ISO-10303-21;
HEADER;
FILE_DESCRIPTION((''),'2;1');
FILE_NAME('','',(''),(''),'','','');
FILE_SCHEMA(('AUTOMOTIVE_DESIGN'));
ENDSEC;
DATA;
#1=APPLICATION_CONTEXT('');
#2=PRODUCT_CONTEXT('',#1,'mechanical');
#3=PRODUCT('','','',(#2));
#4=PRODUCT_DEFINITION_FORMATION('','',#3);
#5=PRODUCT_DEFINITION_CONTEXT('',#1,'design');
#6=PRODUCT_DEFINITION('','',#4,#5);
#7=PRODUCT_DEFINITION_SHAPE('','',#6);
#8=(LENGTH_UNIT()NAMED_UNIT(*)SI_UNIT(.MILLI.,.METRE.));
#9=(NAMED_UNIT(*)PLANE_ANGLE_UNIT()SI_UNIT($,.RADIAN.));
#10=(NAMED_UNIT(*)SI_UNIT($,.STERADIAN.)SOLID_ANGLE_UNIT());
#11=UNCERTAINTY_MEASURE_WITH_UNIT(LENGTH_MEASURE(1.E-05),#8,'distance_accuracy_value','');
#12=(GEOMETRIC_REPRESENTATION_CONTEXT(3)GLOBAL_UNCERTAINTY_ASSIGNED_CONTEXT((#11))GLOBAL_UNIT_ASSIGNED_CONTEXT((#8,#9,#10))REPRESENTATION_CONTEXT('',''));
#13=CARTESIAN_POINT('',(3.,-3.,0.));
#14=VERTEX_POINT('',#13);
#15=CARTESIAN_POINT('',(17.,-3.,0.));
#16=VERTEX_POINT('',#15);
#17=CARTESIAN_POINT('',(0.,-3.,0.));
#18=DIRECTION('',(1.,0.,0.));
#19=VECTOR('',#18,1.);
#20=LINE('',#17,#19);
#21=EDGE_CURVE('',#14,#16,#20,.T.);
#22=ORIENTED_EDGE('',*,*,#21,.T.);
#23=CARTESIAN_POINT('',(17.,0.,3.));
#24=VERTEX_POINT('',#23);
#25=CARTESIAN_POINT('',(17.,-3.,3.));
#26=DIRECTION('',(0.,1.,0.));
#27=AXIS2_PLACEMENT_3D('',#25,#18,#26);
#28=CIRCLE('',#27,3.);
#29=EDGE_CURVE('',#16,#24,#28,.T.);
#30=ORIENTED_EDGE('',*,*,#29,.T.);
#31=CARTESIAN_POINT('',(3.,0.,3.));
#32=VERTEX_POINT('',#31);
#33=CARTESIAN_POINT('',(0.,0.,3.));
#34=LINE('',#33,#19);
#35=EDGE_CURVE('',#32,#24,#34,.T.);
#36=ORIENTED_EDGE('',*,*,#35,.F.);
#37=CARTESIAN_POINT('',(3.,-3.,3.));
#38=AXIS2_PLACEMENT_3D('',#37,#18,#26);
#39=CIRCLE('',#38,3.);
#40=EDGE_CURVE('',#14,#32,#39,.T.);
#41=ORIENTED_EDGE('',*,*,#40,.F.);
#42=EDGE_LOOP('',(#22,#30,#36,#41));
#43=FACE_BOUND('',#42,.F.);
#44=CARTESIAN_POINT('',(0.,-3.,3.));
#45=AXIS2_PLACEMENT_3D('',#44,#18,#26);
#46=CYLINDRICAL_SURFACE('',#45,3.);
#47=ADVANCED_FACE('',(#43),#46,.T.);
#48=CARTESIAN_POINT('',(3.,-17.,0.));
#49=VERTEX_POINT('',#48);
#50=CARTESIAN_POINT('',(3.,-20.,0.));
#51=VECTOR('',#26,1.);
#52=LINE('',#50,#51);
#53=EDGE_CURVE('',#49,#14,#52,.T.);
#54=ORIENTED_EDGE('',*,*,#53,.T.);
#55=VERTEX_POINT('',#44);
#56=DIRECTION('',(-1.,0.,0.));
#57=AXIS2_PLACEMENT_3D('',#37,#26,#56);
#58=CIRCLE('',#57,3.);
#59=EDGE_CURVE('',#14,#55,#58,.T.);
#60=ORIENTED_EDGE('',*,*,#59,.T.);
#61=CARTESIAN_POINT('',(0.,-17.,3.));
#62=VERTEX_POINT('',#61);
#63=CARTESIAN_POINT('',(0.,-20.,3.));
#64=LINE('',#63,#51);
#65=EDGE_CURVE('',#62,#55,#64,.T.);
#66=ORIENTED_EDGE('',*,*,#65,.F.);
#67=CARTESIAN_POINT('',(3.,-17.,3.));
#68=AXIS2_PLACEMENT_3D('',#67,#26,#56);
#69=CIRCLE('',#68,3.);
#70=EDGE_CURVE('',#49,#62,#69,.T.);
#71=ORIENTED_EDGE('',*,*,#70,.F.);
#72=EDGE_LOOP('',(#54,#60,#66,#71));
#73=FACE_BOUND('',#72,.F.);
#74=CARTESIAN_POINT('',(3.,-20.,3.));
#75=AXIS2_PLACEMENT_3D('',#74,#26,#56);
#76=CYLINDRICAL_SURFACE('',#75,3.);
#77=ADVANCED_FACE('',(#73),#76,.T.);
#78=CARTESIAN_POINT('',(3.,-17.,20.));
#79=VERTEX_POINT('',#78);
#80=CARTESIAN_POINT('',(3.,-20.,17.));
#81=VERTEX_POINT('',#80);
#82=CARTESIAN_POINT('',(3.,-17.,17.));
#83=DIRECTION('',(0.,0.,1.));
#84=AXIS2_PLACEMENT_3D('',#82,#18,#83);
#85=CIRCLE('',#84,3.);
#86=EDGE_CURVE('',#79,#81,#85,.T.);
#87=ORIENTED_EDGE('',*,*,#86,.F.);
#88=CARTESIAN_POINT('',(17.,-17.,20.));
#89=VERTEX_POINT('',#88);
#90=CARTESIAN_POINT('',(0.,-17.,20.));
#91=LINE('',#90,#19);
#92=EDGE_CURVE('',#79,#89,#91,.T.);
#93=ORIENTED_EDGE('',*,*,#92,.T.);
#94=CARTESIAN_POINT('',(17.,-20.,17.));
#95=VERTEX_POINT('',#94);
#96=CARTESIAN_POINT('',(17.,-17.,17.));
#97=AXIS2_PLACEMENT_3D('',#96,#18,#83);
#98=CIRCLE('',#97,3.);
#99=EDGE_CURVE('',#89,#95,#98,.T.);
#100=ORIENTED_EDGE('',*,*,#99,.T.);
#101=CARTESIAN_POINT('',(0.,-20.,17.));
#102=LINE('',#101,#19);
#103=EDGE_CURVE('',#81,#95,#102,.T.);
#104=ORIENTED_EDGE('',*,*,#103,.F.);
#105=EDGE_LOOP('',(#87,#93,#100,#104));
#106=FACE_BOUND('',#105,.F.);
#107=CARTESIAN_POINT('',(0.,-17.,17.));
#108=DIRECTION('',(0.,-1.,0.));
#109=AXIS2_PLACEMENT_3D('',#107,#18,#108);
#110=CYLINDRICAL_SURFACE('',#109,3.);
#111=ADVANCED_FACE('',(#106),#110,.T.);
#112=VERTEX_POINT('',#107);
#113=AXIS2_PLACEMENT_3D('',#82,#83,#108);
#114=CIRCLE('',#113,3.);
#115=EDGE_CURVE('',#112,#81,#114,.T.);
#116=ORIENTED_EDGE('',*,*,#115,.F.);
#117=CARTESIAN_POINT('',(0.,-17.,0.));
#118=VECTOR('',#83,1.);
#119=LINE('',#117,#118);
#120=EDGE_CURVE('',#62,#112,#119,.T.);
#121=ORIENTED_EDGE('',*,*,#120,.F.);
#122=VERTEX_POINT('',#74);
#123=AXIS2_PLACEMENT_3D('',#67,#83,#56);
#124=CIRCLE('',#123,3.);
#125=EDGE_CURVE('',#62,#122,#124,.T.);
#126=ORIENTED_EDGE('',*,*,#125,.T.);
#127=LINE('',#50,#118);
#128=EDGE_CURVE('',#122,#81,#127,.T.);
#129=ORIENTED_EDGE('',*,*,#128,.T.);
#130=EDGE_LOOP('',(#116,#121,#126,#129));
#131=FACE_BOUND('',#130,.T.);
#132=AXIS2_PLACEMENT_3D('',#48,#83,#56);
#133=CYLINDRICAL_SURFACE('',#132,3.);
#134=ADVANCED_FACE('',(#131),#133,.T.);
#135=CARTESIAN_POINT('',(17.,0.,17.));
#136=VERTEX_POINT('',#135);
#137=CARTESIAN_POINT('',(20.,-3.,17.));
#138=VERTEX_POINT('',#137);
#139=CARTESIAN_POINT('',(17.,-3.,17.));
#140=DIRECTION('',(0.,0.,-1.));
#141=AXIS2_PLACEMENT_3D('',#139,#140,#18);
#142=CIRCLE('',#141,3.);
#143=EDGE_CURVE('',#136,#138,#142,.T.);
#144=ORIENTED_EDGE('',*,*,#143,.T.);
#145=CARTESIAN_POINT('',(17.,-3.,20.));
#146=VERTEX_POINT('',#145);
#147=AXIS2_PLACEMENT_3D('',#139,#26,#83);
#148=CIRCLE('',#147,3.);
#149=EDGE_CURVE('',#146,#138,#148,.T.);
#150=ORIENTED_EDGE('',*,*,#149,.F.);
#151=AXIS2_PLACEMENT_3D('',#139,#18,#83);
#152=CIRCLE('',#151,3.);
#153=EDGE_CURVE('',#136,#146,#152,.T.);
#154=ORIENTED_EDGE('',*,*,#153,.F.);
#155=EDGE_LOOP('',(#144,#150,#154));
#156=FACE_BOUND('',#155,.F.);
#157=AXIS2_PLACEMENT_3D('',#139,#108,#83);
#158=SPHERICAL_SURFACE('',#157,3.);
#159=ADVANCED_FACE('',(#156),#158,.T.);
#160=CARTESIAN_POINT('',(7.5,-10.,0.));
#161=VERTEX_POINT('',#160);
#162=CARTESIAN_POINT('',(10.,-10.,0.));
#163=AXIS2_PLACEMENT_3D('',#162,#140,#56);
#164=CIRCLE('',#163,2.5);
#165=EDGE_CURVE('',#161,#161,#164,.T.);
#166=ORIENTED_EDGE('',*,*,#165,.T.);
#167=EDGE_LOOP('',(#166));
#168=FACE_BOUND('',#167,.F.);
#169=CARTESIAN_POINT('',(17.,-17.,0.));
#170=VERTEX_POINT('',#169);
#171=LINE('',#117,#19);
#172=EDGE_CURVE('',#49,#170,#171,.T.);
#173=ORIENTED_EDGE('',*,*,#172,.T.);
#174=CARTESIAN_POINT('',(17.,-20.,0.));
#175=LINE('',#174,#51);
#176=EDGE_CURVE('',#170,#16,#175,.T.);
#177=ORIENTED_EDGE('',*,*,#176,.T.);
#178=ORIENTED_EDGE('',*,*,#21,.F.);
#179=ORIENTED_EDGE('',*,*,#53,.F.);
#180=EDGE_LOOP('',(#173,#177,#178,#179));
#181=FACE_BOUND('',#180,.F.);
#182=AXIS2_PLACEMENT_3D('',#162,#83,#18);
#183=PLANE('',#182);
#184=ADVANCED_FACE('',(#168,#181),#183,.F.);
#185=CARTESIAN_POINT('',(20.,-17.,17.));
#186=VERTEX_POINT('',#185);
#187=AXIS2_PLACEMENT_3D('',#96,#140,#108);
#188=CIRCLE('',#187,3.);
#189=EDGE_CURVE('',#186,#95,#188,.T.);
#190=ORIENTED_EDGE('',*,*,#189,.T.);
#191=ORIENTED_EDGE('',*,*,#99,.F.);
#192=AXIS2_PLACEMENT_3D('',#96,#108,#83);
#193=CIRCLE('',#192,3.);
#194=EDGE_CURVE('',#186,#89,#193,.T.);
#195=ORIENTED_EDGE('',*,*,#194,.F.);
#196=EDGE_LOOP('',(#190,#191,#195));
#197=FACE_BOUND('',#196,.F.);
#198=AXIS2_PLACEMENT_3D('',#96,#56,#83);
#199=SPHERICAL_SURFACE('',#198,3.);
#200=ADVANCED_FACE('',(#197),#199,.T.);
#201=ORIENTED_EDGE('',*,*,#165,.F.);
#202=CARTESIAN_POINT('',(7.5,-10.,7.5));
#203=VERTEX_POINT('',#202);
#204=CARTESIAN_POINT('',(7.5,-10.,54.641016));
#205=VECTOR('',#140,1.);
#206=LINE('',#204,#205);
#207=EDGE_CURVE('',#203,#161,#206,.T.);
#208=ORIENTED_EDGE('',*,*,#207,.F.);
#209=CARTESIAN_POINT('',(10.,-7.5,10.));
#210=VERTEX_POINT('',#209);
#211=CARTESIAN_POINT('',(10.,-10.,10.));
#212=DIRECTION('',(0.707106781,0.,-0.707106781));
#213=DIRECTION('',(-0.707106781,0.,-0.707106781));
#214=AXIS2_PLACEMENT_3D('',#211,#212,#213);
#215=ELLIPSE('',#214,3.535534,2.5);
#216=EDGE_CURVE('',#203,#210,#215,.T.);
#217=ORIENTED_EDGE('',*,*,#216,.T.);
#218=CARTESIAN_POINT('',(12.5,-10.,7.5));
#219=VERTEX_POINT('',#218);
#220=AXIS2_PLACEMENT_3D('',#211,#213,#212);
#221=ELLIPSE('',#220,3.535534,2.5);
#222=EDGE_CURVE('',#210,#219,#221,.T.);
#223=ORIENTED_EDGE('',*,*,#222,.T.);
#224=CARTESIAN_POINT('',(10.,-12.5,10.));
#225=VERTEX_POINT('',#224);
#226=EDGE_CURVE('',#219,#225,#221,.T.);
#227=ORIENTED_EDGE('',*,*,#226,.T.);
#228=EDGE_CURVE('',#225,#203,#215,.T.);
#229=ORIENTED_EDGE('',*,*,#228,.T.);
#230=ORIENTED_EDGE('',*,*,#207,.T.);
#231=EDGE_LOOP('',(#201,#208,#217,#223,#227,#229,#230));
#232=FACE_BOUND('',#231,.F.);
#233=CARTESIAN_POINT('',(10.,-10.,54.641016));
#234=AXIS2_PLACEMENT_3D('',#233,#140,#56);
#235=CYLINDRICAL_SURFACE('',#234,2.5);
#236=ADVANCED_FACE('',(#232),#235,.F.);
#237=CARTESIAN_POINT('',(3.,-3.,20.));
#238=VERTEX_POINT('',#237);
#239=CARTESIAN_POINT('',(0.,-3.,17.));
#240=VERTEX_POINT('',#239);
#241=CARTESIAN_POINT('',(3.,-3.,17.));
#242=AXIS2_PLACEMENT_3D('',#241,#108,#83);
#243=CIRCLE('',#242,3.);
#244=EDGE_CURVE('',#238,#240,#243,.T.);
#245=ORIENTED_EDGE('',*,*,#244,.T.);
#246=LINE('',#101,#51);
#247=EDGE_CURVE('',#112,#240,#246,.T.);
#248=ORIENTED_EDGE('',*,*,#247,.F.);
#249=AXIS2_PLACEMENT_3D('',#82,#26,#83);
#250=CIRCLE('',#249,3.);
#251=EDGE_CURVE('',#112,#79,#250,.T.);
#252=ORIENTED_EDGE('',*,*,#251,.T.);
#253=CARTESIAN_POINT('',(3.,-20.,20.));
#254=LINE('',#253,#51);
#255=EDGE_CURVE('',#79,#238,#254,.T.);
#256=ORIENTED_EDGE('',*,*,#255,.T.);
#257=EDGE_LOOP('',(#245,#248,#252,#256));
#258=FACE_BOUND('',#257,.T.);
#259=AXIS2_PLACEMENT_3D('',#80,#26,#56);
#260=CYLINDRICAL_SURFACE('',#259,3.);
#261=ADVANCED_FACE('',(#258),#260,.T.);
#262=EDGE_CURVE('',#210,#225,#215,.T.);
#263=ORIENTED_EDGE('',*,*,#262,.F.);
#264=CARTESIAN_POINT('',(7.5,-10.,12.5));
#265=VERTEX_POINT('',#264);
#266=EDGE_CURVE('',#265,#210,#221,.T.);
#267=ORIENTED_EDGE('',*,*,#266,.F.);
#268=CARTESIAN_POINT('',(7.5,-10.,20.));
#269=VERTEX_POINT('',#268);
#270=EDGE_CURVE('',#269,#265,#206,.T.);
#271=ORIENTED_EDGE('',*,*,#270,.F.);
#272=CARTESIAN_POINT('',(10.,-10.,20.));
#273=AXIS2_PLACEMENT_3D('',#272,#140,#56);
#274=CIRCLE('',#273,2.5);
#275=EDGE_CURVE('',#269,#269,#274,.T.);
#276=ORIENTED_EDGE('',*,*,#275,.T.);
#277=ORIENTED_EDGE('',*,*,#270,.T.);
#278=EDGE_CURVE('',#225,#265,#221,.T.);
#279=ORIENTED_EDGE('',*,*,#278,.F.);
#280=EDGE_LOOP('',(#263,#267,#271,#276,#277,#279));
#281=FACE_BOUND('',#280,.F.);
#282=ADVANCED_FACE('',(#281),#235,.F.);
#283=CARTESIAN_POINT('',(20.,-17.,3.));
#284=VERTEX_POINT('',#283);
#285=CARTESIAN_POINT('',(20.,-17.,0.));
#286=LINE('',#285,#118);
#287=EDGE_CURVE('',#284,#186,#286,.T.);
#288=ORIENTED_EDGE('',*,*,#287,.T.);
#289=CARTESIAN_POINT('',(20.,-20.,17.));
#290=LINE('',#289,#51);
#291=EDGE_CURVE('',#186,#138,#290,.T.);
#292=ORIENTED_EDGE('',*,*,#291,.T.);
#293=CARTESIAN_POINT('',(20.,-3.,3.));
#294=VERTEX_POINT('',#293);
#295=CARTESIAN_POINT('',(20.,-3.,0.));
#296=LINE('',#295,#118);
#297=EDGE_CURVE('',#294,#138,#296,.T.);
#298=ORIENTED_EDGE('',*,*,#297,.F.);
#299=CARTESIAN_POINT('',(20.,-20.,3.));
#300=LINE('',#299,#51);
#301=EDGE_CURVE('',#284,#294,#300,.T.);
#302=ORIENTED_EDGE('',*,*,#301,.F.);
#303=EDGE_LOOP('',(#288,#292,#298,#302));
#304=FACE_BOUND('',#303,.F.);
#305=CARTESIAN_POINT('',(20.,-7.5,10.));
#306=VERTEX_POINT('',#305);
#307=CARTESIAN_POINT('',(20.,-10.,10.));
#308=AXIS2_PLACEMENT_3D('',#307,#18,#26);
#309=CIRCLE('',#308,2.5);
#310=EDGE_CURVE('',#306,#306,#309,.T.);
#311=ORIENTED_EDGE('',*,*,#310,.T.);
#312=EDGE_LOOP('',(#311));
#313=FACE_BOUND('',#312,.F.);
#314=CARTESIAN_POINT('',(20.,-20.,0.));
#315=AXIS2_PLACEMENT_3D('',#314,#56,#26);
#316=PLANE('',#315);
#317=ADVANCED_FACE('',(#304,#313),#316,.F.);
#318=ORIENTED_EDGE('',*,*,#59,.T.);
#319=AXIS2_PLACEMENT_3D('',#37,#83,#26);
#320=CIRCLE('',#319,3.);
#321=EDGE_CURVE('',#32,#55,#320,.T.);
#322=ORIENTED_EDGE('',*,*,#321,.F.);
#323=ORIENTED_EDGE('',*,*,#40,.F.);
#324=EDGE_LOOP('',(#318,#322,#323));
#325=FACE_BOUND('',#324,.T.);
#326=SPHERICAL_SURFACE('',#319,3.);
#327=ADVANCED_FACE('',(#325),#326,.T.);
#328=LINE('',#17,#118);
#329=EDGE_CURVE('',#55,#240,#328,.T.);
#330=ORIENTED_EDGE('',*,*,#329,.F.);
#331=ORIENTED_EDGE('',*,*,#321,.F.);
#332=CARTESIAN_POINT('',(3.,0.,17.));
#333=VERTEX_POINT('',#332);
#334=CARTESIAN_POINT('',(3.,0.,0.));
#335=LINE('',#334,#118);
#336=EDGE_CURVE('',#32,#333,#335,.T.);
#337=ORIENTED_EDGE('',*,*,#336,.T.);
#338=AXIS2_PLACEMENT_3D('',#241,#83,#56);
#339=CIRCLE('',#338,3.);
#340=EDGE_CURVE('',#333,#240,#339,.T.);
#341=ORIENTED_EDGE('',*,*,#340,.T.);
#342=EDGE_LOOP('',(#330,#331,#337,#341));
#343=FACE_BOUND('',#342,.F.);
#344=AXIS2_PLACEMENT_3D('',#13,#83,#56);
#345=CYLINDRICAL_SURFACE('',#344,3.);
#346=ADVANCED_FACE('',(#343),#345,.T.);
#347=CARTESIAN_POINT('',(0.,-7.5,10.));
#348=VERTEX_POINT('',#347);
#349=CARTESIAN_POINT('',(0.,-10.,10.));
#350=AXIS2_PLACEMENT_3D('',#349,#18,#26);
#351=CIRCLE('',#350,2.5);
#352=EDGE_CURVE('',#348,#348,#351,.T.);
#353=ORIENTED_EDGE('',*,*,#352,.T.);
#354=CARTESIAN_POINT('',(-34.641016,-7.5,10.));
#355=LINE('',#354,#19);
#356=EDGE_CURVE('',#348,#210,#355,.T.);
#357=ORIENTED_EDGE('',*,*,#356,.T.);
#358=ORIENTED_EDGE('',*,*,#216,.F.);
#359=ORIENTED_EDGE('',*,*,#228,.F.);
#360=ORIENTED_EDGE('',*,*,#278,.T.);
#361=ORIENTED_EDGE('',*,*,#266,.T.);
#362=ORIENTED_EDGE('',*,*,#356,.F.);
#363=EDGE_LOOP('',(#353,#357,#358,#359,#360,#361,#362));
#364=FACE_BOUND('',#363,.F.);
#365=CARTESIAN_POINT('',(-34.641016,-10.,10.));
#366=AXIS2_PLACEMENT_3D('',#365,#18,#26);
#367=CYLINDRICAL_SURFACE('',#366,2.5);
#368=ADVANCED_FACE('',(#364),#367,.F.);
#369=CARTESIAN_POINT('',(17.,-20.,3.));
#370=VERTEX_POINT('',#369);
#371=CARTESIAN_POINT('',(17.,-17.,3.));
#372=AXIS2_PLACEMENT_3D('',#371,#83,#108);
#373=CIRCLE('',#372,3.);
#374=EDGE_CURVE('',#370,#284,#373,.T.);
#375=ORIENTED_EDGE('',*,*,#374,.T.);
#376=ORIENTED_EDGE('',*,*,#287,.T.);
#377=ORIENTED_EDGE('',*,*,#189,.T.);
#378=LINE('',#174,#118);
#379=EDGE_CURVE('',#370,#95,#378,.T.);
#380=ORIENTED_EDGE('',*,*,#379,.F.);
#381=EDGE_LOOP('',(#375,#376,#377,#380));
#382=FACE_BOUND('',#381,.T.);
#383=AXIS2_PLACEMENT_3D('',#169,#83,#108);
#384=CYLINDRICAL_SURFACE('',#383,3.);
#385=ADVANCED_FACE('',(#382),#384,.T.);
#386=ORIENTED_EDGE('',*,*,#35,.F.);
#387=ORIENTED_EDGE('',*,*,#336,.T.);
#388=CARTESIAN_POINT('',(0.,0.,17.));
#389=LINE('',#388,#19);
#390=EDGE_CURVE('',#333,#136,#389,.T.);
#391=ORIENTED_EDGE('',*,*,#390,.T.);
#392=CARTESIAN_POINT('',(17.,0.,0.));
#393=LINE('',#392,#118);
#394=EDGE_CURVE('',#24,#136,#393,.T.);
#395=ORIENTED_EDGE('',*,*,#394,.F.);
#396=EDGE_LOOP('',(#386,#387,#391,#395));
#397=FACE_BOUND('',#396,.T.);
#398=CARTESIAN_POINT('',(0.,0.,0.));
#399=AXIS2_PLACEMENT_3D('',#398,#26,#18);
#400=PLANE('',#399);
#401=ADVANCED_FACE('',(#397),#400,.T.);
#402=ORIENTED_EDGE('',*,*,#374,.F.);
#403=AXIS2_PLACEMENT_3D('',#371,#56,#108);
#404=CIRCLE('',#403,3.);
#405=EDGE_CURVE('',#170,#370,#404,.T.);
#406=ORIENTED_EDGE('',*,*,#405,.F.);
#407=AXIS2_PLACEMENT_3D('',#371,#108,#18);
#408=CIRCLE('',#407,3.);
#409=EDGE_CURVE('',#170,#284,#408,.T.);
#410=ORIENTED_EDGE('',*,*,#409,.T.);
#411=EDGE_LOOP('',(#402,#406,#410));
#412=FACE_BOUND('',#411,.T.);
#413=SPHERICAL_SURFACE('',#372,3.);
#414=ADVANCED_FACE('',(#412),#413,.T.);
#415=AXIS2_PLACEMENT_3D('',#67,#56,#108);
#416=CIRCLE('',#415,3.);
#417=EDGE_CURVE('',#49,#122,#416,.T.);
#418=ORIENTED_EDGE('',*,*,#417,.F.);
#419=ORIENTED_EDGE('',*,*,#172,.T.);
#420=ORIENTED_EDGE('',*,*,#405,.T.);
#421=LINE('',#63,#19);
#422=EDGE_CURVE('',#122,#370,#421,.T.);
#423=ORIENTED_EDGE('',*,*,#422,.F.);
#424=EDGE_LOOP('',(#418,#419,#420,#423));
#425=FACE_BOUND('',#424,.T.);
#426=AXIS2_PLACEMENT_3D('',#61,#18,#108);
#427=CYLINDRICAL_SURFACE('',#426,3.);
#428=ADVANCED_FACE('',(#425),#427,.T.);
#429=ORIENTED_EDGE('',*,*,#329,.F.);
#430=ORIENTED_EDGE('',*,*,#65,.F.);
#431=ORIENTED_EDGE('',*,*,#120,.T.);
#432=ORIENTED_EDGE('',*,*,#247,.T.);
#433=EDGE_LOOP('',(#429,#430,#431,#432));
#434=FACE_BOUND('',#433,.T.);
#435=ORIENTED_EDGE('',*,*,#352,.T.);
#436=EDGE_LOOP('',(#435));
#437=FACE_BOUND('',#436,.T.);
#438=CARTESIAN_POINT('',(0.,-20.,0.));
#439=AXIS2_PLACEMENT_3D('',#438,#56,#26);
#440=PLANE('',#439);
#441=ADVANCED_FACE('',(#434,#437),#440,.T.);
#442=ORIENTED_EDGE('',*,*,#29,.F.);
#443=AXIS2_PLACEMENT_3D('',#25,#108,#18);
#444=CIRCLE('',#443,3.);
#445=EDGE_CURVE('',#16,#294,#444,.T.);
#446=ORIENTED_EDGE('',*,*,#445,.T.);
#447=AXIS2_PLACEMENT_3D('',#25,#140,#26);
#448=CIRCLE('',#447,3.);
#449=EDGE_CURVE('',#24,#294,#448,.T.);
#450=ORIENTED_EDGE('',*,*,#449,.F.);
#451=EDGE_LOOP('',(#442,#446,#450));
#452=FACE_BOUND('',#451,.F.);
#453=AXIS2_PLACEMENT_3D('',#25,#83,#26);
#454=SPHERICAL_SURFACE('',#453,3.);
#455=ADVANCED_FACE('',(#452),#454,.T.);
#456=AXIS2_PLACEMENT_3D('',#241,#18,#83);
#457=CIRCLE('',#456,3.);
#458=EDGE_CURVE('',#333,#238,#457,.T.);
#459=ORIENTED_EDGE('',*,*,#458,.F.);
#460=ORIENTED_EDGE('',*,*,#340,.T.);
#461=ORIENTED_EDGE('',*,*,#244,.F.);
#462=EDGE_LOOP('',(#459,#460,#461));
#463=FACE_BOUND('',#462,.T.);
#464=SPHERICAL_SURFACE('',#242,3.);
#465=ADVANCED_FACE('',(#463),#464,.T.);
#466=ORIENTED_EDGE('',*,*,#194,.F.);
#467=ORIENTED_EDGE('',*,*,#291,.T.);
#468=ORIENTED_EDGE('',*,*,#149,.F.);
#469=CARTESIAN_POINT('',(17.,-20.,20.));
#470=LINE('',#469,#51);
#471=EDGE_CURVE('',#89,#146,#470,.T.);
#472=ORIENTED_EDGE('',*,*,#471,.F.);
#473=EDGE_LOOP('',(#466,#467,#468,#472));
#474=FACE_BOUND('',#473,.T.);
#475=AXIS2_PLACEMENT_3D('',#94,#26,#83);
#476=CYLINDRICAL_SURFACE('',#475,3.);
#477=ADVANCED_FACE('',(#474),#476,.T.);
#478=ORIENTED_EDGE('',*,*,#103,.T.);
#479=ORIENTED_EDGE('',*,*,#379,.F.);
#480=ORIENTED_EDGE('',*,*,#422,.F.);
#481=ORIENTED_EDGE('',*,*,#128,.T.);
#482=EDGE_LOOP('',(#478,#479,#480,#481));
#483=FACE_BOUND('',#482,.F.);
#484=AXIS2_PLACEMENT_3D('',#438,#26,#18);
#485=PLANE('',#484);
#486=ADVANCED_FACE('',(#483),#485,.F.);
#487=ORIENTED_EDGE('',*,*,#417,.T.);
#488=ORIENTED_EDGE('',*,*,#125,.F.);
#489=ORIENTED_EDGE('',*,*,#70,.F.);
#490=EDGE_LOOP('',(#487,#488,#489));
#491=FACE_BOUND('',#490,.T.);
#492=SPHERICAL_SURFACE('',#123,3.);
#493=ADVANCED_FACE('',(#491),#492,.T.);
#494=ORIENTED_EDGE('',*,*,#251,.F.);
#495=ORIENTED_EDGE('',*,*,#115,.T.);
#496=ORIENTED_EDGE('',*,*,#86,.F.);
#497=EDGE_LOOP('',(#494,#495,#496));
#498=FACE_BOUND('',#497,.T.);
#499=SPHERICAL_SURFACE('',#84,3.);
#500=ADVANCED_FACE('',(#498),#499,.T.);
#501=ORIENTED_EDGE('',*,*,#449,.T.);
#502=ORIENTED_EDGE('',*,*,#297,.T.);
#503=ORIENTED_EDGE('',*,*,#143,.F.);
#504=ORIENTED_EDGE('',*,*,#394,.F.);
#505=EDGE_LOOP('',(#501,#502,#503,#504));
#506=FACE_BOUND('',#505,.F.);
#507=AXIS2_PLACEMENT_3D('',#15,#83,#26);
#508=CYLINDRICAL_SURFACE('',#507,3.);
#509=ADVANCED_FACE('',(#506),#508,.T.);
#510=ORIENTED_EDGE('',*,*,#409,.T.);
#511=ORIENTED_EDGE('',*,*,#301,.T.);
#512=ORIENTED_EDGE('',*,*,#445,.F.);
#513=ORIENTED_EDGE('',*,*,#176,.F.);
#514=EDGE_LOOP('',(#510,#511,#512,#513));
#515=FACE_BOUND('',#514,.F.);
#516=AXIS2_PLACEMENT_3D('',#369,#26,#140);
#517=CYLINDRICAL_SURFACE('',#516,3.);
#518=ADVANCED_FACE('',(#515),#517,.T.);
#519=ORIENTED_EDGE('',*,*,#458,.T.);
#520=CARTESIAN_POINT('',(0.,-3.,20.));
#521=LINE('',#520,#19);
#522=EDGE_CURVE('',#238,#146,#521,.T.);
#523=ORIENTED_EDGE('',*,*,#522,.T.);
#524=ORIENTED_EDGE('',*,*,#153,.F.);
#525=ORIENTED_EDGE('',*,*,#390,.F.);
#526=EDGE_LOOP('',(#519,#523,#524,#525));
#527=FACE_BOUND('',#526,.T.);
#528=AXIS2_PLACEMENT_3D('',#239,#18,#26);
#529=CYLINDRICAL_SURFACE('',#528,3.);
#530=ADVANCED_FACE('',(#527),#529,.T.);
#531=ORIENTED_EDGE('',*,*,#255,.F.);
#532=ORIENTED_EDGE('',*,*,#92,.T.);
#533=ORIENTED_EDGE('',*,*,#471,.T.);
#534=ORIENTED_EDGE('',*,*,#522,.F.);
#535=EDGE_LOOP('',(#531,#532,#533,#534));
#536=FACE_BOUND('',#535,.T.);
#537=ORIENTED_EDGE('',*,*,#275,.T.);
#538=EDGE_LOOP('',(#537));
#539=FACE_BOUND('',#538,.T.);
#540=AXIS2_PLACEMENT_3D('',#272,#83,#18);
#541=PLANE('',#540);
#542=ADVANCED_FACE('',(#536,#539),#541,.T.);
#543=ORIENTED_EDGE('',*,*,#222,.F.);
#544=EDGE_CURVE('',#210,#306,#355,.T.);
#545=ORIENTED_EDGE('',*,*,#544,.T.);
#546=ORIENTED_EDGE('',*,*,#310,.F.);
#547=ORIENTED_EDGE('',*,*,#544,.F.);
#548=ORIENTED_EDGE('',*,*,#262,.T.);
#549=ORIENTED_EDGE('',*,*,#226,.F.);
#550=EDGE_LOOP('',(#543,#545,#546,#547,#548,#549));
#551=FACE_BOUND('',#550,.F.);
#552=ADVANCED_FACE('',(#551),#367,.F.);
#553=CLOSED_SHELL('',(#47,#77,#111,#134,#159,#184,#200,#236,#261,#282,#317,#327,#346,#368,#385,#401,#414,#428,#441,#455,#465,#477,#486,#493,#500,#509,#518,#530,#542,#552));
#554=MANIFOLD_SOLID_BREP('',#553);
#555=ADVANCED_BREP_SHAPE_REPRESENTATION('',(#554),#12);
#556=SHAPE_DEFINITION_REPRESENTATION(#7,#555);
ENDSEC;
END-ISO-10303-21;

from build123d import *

# Parameters (mm, degrees)
F0_W     = 20
F0_H     = 20
F1_DEPTH = 20
F3_D     = 5
F4_R     = 3
F6_D     = 5


with BuildPart() as f1:
    # F0 (on Top) → F1 (new body)
    with BuildSketch(Plane.XY):
        with Locations((10, -10)):
            Rectangle(F0_W, F0_H)
    extrude(amount=F1_DEPTH)

    # F3 (through all)
    with Locations(Plane.XY.offset(20)):
        with Locations((10, -10)):
            Hole(F3_D / 2)

    # F4
    f4_edges = [f1.edges().sort_by_distance(p)[0] for p in [
        (10, -20, 20),
        (0, -10, 20),
        (20, -10, 20),
        (10, 0, 20),
        (0, -20, 10),
        (20, -20, 10),
        (20, 0, 10),
        (0, 0, 10),
        (10, 0, 0),
        (0, -10, 0),
        (10, -20, 0),
        (20, -10, 0),
    ]]
    fillet(f4_edges, radius=F4_R)

    # F6 (through all)
    with Locations(Plane(origin=(0, 0, 0), x_dir=(0, -1, 0), z_dir=(-1, 0, 0))):
        with Locations((10, 10)):
            Hole(F6_D / 2)


solid = f1.part
